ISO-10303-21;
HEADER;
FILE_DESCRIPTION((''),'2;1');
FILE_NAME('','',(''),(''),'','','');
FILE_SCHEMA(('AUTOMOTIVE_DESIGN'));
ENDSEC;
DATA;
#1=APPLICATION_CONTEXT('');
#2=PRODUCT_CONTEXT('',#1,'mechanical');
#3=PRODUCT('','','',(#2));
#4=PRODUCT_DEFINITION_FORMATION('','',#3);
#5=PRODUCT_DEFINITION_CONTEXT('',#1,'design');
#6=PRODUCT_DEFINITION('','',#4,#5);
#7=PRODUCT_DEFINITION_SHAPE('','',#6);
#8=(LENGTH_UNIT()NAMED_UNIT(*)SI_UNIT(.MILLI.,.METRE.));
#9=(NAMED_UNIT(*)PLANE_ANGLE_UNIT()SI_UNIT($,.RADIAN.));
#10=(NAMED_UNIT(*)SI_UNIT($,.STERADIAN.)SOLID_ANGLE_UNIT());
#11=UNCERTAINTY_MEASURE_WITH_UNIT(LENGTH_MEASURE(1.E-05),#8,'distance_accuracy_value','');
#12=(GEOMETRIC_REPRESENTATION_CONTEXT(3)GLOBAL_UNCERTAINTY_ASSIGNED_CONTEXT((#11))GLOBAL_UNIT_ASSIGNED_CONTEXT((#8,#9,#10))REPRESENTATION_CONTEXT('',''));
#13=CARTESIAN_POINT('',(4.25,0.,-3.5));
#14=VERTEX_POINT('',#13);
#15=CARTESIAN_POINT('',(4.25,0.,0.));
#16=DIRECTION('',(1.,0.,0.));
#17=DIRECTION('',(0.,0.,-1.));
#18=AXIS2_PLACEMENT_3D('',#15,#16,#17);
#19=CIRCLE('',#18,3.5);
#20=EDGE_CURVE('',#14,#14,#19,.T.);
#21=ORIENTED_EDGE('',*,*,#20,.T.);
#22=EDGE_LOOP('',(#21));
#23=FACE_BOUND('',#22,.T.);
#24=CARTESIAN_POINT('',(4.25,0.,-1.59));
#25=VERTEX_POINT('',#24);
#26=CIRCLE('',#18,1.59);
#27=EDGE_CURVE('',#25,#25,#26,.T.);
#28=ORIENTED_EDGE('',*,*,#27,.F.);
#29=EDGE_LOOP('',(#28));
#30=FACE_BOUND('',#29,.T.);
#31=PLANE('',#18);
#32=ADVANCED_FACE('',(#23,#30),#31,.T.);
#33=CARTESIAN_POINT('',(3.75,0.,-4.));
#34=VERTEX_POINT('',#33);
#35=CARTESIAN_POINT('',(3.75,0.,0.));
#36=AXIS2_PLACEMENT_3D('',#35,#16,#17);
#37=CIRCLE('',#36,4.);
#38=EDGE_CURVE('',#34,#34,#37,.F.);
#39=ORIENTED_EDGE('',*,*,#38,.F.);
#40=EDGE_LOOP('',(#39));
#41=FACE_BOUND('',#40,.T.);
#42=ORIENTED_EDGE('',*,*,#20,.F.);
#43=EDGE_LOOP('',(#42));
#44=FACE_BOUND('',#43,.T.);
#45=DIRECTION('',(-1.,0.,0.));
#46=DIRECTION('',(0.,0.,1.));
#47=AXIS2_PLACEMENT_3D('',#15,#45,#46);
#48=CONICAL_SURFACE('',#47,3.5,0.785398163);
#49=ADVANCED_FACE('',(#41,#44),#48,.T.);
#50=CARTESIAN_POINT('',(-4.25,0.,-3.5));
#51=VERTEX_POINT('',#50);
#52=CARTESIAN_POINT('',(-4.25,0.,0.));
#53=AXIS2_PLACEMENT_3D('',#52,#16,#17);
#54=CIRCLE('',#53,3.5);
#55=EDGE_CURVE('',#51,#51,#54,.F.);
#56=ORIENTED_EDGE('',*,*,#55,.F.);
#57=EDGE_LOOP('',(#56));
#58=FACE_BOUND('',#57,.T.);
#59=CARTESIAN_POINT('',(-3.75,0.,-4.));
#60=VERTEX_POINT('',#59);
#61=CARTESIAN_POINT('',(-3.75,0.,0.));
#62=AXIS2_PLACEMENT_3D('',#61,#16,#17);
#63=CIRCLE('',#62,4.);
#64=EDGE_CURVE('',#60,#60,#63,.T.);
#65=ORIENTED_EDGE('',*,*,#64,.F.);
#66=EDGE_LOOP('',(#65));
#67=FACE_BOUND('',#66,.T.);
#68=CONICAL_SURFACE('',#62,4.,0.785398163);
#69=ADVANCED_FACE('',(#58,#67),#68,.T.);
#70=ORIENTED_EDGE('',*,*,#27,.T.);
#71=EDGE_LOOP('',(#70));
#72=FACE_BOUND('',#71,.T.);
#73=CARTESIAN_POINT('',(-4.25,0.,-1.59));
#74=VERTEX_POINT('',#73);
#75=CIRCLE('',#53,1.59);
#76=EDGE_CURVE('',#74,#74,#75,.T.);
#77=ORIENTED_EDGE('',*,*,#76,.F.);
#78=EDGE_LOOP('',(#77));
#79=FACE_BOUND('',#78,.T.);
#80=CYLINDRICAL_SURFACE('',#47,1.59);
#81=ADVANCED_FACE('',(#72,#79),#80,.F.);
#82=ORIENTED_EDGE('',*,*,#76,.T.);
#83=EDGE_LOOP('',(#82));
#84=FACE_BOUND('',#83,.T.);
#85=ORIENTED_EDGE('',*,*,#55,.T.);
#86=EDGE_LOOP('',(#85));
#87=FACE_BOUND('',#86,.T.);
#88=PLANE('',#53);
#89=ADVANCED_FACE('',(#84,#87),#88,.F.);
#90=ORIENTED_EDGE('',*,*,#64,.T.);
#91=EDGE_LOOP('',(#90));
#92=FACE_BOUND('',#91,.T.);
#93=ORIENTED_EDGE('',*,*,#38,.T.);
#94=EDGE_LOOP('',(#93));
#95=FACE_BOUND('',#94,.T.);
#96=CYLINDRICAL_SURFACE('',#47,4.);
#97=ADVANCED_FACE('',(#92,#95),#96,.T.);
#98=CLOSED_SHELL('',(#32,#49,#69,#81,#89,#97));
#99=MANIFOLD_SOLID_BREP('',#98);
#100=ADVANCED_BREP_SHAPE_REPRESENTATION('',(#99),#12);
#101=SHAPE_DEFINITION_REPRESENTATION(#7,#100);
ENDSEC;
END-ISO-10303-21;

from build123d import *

# Parameters (mm, degrees)
SKETCH1_R           = 4
SKETCH1_R_2         = 1.59
BOSS_EXTRUDE1_DEPTH = 4.25
CHAMFER1_SIZE       = 0.5


with BuildPart() as part:
    # Sketch1 → Boss-Extrude1 (new body, symmetric)
    with BuildSketch(Plane(origin=(0, 0, 0), x_dir=(0, 0, -1), z_dir=(1, 0, 0))):
        Circle(SKETCH1_R)
        Circle(SKETCH1_R_2, mode=Mode.SUBTRACT)
    extrude(amount=BOSS_EXTRUDE1_DEPTH, both=True)

    # Chamfer1
    chamfer1_edges = [part.edges().sort_by_distance(p)[0] for p in [
        (-4.25, 0, 4),
        (4.25, 0, 4),
    ]]
    chamfer(chamfer1_edges, length=CHAMFER1_SIZE)


solid = part.part
